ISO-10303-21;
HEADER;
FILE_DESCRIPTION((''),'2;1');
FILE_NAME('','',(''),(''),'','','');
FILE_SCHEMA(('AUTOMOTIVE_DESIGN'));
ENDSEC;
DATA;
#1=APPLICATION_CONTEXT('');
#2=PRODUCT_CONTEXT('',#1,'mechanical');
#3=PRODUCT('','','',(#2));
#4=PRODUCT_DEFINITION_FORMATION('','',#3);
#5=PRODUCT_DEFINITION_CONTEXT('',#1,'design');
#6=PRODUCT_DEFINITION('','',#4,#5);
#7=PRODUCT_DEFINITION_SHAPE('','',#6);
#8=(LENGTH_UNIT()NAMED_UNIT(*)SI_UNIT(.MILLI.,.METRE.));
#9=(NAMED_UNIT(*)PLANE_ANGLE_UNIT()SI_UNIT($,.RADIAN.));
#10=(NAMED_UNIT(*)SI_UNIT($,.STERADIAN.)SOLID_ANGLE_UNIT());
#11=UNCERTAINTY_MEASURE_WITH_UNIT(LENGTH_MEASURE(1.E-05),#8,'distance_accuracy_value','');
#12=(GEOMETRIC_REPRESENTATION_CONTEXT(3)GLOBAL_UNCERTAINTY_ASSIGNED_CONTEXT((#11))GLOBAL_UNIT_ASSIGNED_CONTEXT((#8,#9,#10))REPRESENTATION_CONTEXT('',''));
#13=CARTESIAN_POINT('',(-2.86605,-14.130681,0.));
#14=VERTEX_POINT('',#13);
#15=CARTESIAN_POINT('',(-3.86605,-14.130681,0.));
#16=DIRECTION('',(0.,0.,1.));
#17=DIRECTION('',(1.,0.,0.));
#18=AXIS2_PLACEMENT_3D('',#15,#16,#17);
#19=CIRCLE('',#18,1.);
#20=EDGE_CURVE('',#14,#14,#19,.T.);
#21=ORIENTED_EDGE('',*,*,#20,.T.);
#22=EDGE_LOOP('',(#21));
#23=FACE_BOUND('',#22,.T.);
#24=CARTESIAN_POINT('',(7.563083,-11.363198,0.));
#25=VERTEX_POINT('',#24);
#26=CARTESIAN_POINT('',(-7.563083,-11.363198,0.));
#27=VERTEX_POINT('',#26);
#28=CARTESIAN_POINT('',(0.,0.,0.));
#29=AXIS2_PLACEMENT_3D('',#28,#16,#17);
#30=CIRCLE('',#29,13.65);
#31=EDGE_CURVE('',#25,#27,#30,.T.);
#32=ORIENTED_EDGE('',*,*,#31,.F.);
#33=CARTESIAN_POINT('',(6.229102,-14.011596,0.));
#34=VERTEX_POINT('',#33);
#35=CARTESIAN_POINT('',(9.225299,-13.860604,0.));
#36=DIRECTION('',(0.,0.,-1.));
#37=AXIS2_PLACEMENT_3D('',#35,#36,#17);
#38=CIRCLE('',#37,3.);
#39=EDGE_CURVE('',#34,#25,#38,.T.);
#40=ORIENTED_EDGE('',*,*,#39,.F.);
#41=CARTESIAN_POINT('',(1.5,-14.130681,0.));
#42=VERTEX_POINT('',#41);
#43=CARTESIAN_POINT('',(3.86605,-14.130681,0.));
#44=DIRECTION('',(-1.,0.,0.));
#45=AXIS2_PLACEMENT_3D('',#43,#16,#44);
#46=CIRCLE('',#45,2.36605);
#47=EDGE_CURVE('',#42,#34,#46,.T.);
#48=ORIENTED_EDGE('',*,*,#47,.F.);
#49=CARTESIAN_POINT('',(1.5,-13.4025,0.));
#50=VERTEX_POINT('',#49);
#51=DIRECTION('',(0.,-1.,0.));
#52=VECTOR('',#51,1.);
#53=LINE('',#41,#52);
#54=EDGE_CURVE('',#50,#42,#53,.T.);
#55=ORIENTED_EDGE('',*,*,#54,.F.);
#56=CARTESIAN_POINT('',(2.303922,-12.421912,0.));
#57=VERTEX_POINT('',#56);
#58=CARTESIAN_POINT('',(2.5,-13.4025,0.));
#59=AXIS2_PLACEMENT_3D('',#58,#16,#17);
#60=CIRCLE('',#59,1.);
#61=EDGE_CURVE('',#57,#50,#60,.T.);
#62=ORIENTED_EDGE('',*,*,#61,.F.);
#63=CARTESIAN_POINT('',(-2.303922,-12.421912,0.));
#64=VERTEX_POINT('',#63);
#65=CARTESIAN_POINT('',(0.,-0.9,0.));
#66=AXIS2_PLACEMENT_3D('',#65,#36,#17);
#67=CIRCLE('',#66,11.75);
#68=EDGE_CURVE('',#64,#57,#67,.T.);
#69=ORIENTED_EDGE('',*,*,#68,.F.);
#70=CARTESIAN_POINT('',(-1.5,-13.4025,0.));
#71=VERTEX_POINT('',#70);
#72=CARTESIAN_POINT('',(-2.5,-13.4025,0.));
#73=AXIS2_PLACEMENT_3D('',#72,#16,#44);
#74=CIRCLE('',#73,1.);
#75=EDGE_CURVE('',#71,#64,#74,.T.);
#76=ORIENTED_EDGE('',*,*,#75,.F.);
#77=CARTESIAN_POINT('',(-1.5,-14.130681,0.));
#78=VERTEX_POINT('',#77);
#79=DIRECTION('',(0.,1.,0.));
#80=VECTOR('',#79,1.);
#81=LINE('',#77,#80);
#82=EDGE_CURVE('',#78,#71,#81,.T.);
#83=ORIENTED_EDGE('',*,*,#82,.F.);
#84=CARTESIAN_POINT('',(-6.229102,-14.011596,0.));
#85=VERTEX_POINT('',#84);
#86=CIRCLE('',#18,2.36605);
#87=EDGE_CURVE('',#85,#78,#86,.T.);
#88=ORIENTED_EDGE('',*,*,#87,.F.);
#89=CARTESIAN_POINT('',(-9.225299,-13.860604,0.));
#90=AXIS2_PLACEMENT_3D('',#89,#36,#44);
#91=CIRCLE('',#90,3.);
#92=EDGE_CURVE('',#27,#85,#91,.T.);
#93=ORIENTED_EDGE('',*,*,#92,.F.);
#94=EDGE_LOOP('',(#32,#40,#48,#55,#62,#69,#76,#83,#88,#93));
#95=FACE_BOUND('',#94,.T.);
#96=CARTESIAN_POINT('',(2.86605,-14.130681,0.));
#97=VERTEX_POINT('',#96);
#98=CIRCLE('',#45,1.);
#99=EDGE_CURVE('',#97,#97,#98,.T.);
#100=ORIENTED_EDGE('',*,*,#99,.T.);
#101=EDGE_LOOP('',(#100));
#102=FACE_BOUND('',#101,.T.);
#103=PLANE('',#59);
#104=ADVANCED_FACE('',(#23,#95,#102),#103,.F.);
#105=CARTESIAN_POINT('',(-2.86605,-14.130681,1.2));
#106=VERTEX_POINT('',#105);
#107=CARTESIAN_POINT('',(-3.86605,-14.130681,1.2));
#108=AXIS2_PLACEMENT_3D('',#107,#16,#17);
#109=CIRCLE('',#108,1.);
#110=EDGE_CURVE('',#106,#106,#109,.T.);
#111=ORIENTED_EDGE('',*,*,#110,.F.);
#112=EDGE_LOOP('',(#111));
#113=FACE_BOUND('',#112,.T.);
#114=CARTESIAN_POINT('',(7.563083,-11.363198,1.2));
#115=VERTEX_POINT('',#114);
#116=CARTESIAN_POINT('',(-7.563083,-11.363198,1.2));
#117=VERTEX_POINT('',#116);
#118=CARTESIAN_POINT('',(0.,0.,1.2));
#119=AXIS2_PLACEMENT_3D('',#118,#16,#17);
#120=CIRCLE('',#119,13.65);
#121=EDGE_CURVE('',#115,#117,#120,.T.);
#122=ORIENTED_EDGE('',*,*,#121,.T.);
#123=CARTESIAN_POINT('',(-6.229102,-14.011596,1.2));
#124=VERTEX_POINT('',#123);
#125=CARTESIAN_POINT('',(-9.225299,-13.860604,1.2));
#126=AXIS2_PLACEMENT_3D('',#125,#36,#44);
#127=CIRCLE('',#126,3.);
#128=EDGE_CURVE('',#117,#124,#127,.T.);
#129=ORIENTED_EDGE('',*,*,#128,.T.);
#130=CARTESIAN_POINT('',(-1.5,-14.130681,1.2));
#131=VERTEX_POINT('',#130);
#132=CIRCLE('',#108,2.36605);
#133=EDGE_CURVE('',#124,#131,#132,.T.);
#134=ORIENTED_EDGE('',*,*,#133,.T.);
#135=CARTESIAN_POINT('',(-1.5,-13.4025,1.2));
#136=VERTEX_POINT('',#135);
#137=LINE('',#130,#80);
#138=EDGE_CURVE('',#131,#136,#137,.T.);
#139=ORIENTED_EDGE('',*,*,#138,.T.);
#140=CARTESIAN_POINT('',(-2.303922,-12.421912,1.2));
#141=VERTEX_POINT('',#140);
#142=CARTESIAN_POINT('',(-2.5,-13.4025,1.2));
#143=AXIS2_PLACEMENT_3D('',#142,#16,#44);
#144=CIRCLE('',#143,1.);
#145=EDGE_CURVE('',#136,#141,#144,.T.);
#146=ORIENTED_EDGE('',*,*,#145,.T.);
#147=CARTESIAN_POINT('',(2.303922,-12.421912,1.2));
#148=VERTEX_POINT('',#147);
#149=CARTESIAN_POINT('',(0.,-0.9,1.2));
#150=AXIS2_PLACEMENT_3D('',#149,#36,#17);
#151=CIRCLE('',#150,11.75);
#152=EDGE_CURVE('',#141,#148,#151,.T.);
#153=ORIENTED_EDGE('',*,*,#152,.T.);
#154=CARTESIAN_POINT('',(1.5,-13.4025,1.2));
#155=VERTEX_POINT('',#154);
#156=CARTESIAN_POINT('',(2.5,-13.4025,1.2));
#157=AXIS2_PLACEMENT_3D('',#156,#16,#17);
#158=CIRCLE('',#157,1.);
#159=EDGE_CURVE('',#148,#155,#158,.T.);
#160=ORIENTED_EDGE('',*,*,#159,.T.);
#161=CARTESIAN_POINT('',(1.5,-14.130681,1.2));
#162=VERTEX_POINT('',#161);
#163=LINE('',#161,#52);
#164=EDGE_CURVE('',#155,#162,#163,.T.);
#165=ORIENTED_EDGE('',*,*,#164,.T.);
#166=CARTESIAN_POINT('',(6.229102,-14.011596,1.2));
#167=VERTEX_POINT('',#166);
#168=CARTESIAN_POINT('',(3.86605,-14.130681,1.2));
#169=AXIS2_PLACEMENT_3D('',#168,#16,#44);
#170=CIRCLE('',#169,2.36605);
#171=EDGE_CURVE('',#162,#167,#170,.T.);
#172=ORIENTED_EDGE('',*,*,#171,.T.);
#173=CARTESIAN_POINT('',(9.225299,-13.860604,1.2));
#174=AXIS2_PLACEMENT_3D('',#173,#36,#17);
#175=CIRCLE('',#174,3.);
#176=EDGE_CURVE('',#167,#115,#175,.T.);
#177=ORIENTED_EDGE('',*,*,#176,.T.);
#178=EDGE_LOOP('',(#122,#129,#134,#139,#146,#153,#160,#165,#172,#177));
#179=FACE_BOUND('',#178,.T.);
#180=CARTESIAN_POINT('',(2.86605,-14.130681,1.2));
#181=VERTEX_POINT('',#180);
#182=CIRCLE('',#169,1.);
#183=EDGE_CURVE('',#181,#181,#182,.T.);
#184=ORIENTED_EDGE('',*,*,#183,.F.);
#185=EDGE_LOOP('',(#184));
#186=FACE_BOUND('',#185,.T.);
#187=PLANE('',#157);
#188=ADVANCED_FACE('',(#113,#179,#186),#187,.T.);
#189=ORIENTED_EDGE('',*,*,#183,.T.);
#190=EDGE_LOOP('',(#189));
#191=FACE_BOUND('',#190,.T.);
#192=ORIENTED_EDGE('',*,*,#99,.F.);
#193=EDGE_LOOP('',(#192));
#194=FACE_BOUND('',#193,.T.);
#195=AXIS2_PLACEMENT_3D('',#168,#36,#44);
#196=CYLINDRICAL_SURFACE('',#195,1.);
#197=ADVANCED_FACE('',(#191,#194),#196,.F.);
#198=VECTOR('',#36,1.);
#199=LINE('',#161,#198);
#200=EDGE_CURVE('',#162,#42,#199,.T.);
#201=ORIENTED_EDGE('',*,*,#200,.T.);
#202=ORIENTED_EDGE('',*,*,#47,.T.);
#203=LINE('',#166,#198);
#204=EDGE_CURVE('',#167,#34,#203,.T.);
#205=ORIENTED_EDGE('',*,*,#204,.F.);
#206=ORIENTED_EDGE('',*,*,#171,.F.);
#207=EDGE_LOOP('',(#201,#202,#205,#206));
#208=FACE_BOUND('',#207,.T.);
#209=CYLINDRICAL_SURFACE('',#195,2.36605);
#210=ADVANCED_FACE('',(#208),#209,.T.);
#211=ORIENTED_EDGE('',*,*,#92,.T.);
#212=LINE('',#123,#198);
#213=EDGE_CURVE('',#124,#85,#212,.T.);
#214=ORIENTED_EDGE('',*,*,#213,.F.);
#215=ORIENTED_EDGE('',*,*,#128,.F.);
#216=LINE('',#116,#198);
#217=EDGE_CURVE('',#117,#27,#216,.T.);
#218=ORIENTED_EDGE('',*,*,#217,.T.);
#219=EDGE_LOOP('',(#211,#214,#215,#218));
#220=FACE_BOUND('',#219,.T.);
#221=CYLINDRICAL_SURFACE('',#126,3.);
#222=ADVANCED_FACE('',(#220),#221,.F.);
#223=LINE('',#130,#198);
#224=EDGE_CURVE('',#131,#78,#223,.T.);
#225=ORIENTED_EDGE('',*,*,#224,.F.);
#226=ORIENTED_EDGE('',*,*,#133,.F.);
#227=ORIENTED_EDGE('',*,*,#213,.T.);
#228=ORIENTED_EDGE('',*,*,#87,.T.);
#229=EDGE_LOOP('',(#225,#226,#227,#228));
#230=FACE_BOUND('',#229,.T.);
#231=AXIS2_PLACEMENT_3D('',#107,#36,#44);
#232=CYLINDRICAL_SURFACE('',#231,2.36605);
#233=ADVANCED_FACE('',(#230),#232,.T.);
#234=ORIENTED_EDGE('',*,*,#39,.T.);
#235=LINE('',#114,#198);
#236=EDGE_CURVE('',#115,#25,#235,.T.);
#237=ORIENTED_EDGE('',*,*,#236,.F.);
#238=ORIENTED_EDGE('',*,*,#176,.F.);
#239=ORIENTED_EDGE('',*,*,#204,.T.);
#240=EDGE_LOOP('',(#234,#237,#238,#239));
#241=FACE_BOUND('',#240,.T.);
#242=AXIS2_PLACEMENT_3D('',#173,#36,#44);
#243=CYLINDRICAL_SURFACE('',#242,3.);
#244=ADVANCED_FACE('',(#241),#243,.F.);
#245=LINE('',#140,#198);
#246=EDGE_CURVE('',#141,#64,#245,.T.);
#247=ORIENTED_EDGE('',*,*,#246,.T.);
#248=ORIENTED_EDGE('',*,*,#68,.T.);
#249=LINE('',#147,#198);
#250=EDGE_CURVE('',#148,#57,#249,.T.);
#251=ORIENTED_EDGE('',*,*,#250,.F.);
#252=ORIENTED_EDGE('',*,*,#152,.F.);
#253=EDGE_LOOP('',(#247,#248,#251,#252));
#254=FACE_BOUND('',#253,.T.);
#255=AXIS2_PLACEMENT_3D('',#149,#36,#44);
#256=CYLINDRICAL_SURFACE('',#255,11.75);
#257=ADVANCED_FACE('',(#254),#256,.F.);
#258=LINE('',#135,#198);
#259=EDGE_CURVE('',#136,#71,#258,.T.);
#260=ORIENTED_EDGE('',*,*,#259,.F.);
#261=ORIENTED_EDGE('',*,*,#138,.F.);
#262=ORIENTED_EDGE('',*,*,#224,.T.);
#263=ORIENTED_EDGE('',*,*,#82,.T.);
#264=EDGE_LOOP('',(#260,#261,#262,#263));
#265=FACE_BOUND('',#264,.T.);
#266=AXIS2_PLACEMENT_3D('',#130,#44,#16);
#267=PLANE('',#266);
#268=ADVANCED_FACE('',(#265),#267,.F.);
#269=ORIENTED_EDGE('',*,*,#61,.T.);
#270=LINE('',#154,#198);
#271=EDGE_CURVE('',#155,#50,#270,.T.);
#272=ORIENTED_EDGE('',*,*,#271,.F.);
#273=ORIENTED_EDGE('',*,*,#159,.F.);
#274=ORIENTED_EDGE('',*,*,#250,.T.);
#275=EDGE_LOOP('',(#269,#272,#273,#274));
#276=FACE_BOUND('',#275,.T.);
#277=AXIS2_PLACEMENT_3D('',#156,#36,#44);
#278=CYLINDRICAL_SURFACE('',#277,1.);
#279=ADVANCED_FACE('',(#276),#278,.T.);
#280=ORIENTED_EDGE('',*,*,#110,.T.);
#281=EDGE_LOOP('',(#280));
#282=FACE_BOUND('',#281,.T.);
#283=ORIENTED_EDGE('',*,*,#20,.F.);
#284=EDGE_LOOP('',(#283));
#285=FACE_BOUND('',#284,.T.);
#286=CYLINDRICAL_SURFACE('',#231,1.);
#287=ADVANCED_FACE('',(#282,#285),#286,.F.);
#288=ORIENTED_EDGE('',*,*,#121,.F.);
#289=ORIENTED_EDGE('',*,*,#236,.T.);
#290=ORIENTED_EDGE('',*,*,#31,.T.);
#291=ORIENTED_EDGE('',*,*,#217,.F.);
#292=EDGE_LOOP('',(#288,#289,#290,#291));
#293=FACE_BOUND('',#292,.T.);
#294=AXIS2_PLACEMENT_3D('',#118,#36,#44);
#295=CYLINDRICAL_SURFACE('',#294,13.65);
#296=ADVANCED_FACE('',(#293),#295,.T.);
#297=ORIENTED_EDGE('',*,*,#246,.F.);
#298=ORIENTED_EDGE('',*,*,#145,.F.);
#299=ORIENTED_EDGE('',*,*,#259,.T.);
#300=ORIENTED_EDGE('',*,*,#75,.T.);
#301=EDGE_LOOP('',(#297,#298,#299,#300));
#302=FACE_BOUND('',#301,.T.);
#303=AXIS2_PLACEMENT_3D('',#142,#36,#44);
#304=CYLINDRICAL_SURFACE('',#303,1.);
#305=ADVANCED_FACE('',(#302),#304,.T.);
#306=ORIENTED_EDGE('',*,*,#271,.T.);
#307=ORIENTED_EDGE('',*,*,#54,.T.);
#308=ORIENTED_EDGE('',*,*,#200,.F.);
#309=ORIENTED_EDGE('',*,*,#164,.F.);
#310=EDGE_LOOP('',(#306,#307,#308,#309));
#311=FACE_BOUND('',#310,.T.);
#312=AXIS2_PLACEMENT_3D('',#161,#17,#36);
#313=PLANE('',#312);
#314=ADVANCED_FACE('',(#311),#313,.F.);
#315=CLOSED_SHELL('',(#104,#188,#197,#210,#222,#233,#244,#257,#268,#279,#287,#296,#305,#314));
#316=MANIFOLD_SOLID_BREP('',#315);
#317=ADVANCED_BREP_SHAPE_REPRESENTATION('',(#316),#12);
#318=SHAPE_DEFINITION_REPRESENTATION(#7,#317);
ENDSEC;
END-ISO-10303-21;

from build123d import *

# Parameters (mm, degrees)
SKETCH_1_R      = 1
EXTRUDE_1_DEPTH = 1.2


with BuildPart() as part:
    # Эскиз1 → Бобышка-Вытянуть1 (new body)
    with BuildSketch(Plane.XY):
        with BuildLine():
            Line((-1.5, -14.13068138), (-1.5, -13.40249975))
            ThreePointArc((-1.5, -13.40249975), (-1.726670047, -12.768495977), (-2.303921569, -12.421911534))
            ThreePointArc((-2.303921569, -12.421911534), (0, 10.85), (2.303921569, -12.421911534))
            ThreePointArc((2.303921569, -12.421911534), (1.726670047, -12.768495977), (1.5, -13.40249975))
            Line((1.5, -13.40249975), (1.5, -14.13068138))
            ThreePointArc((1.5, -14.13068138), (3.925611512, -16.49598173), (6.229101581, -14.011596401))
            ThreePointArc((6.229101581, -14.011596401), (6.545988208, -12.511051934), (7.563083293, -11.363198102))
            ThreePointArc((7.563083293, -11.363198102), (0, 13.65), (-7.563083293, -11.363198102))
            ThreePointArc((-7.563083293, -11.363198102), (-6.545988208, -12.511051934), (-6.229101581, -14.011596401))
            ThreePointArc((-6.229101581, -14.011596401), (-3.925611512, -16.49598173), (-1.5, -14.13068138))
        make_face()
        with Locations((-3.866050148, -14.13068138)):
            Circle(SKETCH_1_R, mode=Mode.SUBTRACT)
        with Locations((3.866050148, -14.13068138)):
            Circle(SKETCH_1_R, mode=Mode.SUBTRACT)
    extrude(amount=EXTRUDE_1_DEPTH)


solid = part.part
